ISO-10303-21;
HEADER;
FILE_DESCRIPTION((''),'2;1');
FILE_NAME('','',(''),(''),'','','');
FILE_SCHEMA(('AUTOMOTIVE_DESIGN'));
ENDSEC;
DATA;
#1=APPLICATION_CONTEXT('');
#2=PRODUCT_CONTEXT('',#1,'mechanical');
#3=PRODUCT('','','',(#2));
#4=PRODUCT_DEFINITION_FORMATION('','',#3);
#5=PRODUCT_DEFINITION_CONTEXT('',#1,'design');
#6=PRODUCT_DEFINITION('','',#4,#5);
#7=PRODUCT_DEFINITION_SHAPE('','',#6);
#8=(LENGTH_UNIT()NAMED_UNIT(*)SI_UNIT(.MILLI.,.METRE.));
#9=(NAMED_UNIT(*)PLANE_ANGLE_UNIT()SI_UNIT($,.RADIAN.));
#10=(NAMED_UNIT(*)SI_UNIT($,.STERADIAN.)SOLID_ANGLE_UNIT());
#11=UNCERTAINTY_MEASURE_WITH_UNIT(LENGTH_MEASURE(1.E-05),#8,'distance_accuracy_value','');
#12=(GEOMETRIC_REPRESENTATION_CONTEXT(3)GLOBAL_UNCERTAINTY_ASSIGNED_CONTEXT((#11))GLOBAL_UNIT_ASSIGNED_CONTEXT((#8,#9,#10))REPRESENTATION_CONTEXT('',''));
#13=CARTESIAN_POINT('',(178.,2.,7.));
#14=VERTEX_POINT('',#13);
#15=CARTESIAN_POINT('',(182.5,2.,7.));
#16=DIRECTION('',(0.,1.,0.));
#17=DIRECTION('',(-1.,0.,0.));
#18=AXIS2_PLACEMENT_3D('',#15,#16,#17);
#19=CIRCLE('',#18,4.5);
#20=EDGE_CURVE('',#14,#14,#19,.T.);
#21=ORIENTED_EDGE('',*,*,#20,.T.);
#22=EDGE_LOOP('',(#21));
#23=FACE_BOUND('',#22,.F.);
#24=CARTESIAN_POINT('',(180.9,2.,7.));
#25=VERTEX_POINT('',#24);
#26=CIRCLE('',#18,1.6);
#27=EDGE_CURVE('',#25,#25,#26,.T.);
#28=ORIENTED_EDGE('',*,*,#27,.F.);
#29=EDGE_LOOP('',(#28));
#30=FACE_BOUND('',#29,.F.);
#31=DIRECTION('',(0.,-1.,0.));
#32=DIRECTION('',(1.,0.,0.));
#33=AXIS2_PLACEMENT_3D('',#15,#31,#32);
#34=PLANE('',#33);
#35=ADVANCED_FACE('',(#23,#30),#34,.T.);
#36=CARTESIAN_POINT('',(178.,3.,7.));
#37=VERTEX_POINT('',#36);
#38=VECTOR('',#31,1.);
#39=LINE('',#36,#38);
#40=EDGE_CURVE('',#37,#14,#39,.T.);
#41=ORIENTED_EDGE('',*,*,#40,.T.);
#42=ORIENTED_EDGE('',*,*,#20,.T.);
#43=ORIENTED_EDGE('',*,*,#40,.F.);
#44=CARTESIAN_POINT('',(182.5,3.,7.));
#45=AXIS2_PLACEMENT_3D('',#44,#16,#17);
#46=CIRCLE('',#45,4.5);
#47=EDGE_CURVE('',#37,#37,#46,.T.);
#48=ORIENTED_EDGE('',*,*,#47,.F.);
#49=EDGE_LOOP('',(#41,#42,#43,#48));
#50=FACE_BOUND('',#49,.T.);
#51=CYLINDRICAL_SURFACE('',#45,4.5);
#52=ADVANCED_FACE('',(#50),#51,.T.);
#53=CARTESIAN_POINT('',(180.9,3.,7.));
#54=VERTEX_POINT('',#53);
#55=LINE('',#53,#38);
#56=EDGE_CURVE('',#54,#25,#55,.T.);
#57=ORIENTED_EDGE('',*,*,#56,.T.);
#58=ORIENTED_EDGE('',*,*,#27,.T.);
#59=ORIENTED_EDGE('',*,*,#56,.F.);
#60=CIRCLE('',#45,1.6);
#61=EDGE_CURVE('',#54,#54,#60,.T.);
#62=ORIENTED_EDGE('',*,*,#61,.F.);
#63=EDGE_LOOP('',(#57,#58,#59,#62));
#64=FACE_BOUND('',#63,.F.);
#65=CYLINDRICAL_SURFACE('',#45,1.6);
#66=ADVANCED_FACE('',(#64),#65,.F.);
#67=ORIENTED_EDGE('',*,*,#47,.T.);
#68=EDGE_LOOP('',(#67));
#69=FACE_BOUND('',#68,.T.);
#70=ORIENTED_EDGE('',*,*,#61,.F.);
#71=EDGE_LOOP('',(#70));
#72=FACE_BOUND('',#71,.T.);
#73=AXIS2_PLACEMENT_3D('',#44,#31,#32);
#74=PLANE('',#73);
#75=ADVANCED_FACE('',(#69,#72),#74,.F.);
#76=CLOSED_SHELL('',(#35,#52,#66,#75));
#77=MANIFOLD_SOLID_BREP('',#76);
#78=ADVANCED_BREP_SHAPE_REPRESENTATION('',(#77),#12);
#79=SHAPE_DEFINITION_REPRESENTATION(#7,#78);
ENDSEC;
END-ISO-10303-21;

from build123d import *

# Parameters (mm, degrees)
CYLINDER018_R          = 1.6
CYLINDER018_DEPTH      = 1
CYLINDER017_R          = 4.5
CYLINDER017_DEPTH      = 1
CUT020_PLACEMENT_ANGLE = 90


with BuildPart() as facewasherscrewhole:
    # Cylinder018 → Cylinder018 (new body)
    with BuildSketch(Plane.XY):
        Circle(CYLINDER018_R)
    extrude(amount=CYLINDER018_DEPTH)


with BuildPart() as facewasher001:
    # Cylinder017 → Cylinder017 (new body)
    with BuildSketch(Plane.XY):
        Circle(CYLINDER017_R)
    extrude(amount=CYLINDER017_DEPTH)

    # Cut020: cut FaceWasherScrewHole
    add(facewasherscrewhole.part, mode=Mode.SUBTRACT)


with BuildPart() as facewasher001_1:
    # Cut020 placement: moved
    add(facewasher001.part.moved(Location((0, 0, -1))).rotate(Axis((0, 0, -1), (1, 0, 0)), CUT020_PLACEMENT_ANGLE))


with BuildPart() as facewasher001_2:
    # Clone021 placement: moved
    add(facewasher001_1.part.moved(Location((-8.5, 3, 8))))


with BuildPart() as part_mirroring023:
    # Part__Mirroring023: instance of FaceWasher001
    add(facewasher001_2.part.mirror(Plane(origin=(87, 0, 0), x_dir=(0, -1, 0), z_dir=(1, 0, 0))))


solid = part_mirroring023.part
